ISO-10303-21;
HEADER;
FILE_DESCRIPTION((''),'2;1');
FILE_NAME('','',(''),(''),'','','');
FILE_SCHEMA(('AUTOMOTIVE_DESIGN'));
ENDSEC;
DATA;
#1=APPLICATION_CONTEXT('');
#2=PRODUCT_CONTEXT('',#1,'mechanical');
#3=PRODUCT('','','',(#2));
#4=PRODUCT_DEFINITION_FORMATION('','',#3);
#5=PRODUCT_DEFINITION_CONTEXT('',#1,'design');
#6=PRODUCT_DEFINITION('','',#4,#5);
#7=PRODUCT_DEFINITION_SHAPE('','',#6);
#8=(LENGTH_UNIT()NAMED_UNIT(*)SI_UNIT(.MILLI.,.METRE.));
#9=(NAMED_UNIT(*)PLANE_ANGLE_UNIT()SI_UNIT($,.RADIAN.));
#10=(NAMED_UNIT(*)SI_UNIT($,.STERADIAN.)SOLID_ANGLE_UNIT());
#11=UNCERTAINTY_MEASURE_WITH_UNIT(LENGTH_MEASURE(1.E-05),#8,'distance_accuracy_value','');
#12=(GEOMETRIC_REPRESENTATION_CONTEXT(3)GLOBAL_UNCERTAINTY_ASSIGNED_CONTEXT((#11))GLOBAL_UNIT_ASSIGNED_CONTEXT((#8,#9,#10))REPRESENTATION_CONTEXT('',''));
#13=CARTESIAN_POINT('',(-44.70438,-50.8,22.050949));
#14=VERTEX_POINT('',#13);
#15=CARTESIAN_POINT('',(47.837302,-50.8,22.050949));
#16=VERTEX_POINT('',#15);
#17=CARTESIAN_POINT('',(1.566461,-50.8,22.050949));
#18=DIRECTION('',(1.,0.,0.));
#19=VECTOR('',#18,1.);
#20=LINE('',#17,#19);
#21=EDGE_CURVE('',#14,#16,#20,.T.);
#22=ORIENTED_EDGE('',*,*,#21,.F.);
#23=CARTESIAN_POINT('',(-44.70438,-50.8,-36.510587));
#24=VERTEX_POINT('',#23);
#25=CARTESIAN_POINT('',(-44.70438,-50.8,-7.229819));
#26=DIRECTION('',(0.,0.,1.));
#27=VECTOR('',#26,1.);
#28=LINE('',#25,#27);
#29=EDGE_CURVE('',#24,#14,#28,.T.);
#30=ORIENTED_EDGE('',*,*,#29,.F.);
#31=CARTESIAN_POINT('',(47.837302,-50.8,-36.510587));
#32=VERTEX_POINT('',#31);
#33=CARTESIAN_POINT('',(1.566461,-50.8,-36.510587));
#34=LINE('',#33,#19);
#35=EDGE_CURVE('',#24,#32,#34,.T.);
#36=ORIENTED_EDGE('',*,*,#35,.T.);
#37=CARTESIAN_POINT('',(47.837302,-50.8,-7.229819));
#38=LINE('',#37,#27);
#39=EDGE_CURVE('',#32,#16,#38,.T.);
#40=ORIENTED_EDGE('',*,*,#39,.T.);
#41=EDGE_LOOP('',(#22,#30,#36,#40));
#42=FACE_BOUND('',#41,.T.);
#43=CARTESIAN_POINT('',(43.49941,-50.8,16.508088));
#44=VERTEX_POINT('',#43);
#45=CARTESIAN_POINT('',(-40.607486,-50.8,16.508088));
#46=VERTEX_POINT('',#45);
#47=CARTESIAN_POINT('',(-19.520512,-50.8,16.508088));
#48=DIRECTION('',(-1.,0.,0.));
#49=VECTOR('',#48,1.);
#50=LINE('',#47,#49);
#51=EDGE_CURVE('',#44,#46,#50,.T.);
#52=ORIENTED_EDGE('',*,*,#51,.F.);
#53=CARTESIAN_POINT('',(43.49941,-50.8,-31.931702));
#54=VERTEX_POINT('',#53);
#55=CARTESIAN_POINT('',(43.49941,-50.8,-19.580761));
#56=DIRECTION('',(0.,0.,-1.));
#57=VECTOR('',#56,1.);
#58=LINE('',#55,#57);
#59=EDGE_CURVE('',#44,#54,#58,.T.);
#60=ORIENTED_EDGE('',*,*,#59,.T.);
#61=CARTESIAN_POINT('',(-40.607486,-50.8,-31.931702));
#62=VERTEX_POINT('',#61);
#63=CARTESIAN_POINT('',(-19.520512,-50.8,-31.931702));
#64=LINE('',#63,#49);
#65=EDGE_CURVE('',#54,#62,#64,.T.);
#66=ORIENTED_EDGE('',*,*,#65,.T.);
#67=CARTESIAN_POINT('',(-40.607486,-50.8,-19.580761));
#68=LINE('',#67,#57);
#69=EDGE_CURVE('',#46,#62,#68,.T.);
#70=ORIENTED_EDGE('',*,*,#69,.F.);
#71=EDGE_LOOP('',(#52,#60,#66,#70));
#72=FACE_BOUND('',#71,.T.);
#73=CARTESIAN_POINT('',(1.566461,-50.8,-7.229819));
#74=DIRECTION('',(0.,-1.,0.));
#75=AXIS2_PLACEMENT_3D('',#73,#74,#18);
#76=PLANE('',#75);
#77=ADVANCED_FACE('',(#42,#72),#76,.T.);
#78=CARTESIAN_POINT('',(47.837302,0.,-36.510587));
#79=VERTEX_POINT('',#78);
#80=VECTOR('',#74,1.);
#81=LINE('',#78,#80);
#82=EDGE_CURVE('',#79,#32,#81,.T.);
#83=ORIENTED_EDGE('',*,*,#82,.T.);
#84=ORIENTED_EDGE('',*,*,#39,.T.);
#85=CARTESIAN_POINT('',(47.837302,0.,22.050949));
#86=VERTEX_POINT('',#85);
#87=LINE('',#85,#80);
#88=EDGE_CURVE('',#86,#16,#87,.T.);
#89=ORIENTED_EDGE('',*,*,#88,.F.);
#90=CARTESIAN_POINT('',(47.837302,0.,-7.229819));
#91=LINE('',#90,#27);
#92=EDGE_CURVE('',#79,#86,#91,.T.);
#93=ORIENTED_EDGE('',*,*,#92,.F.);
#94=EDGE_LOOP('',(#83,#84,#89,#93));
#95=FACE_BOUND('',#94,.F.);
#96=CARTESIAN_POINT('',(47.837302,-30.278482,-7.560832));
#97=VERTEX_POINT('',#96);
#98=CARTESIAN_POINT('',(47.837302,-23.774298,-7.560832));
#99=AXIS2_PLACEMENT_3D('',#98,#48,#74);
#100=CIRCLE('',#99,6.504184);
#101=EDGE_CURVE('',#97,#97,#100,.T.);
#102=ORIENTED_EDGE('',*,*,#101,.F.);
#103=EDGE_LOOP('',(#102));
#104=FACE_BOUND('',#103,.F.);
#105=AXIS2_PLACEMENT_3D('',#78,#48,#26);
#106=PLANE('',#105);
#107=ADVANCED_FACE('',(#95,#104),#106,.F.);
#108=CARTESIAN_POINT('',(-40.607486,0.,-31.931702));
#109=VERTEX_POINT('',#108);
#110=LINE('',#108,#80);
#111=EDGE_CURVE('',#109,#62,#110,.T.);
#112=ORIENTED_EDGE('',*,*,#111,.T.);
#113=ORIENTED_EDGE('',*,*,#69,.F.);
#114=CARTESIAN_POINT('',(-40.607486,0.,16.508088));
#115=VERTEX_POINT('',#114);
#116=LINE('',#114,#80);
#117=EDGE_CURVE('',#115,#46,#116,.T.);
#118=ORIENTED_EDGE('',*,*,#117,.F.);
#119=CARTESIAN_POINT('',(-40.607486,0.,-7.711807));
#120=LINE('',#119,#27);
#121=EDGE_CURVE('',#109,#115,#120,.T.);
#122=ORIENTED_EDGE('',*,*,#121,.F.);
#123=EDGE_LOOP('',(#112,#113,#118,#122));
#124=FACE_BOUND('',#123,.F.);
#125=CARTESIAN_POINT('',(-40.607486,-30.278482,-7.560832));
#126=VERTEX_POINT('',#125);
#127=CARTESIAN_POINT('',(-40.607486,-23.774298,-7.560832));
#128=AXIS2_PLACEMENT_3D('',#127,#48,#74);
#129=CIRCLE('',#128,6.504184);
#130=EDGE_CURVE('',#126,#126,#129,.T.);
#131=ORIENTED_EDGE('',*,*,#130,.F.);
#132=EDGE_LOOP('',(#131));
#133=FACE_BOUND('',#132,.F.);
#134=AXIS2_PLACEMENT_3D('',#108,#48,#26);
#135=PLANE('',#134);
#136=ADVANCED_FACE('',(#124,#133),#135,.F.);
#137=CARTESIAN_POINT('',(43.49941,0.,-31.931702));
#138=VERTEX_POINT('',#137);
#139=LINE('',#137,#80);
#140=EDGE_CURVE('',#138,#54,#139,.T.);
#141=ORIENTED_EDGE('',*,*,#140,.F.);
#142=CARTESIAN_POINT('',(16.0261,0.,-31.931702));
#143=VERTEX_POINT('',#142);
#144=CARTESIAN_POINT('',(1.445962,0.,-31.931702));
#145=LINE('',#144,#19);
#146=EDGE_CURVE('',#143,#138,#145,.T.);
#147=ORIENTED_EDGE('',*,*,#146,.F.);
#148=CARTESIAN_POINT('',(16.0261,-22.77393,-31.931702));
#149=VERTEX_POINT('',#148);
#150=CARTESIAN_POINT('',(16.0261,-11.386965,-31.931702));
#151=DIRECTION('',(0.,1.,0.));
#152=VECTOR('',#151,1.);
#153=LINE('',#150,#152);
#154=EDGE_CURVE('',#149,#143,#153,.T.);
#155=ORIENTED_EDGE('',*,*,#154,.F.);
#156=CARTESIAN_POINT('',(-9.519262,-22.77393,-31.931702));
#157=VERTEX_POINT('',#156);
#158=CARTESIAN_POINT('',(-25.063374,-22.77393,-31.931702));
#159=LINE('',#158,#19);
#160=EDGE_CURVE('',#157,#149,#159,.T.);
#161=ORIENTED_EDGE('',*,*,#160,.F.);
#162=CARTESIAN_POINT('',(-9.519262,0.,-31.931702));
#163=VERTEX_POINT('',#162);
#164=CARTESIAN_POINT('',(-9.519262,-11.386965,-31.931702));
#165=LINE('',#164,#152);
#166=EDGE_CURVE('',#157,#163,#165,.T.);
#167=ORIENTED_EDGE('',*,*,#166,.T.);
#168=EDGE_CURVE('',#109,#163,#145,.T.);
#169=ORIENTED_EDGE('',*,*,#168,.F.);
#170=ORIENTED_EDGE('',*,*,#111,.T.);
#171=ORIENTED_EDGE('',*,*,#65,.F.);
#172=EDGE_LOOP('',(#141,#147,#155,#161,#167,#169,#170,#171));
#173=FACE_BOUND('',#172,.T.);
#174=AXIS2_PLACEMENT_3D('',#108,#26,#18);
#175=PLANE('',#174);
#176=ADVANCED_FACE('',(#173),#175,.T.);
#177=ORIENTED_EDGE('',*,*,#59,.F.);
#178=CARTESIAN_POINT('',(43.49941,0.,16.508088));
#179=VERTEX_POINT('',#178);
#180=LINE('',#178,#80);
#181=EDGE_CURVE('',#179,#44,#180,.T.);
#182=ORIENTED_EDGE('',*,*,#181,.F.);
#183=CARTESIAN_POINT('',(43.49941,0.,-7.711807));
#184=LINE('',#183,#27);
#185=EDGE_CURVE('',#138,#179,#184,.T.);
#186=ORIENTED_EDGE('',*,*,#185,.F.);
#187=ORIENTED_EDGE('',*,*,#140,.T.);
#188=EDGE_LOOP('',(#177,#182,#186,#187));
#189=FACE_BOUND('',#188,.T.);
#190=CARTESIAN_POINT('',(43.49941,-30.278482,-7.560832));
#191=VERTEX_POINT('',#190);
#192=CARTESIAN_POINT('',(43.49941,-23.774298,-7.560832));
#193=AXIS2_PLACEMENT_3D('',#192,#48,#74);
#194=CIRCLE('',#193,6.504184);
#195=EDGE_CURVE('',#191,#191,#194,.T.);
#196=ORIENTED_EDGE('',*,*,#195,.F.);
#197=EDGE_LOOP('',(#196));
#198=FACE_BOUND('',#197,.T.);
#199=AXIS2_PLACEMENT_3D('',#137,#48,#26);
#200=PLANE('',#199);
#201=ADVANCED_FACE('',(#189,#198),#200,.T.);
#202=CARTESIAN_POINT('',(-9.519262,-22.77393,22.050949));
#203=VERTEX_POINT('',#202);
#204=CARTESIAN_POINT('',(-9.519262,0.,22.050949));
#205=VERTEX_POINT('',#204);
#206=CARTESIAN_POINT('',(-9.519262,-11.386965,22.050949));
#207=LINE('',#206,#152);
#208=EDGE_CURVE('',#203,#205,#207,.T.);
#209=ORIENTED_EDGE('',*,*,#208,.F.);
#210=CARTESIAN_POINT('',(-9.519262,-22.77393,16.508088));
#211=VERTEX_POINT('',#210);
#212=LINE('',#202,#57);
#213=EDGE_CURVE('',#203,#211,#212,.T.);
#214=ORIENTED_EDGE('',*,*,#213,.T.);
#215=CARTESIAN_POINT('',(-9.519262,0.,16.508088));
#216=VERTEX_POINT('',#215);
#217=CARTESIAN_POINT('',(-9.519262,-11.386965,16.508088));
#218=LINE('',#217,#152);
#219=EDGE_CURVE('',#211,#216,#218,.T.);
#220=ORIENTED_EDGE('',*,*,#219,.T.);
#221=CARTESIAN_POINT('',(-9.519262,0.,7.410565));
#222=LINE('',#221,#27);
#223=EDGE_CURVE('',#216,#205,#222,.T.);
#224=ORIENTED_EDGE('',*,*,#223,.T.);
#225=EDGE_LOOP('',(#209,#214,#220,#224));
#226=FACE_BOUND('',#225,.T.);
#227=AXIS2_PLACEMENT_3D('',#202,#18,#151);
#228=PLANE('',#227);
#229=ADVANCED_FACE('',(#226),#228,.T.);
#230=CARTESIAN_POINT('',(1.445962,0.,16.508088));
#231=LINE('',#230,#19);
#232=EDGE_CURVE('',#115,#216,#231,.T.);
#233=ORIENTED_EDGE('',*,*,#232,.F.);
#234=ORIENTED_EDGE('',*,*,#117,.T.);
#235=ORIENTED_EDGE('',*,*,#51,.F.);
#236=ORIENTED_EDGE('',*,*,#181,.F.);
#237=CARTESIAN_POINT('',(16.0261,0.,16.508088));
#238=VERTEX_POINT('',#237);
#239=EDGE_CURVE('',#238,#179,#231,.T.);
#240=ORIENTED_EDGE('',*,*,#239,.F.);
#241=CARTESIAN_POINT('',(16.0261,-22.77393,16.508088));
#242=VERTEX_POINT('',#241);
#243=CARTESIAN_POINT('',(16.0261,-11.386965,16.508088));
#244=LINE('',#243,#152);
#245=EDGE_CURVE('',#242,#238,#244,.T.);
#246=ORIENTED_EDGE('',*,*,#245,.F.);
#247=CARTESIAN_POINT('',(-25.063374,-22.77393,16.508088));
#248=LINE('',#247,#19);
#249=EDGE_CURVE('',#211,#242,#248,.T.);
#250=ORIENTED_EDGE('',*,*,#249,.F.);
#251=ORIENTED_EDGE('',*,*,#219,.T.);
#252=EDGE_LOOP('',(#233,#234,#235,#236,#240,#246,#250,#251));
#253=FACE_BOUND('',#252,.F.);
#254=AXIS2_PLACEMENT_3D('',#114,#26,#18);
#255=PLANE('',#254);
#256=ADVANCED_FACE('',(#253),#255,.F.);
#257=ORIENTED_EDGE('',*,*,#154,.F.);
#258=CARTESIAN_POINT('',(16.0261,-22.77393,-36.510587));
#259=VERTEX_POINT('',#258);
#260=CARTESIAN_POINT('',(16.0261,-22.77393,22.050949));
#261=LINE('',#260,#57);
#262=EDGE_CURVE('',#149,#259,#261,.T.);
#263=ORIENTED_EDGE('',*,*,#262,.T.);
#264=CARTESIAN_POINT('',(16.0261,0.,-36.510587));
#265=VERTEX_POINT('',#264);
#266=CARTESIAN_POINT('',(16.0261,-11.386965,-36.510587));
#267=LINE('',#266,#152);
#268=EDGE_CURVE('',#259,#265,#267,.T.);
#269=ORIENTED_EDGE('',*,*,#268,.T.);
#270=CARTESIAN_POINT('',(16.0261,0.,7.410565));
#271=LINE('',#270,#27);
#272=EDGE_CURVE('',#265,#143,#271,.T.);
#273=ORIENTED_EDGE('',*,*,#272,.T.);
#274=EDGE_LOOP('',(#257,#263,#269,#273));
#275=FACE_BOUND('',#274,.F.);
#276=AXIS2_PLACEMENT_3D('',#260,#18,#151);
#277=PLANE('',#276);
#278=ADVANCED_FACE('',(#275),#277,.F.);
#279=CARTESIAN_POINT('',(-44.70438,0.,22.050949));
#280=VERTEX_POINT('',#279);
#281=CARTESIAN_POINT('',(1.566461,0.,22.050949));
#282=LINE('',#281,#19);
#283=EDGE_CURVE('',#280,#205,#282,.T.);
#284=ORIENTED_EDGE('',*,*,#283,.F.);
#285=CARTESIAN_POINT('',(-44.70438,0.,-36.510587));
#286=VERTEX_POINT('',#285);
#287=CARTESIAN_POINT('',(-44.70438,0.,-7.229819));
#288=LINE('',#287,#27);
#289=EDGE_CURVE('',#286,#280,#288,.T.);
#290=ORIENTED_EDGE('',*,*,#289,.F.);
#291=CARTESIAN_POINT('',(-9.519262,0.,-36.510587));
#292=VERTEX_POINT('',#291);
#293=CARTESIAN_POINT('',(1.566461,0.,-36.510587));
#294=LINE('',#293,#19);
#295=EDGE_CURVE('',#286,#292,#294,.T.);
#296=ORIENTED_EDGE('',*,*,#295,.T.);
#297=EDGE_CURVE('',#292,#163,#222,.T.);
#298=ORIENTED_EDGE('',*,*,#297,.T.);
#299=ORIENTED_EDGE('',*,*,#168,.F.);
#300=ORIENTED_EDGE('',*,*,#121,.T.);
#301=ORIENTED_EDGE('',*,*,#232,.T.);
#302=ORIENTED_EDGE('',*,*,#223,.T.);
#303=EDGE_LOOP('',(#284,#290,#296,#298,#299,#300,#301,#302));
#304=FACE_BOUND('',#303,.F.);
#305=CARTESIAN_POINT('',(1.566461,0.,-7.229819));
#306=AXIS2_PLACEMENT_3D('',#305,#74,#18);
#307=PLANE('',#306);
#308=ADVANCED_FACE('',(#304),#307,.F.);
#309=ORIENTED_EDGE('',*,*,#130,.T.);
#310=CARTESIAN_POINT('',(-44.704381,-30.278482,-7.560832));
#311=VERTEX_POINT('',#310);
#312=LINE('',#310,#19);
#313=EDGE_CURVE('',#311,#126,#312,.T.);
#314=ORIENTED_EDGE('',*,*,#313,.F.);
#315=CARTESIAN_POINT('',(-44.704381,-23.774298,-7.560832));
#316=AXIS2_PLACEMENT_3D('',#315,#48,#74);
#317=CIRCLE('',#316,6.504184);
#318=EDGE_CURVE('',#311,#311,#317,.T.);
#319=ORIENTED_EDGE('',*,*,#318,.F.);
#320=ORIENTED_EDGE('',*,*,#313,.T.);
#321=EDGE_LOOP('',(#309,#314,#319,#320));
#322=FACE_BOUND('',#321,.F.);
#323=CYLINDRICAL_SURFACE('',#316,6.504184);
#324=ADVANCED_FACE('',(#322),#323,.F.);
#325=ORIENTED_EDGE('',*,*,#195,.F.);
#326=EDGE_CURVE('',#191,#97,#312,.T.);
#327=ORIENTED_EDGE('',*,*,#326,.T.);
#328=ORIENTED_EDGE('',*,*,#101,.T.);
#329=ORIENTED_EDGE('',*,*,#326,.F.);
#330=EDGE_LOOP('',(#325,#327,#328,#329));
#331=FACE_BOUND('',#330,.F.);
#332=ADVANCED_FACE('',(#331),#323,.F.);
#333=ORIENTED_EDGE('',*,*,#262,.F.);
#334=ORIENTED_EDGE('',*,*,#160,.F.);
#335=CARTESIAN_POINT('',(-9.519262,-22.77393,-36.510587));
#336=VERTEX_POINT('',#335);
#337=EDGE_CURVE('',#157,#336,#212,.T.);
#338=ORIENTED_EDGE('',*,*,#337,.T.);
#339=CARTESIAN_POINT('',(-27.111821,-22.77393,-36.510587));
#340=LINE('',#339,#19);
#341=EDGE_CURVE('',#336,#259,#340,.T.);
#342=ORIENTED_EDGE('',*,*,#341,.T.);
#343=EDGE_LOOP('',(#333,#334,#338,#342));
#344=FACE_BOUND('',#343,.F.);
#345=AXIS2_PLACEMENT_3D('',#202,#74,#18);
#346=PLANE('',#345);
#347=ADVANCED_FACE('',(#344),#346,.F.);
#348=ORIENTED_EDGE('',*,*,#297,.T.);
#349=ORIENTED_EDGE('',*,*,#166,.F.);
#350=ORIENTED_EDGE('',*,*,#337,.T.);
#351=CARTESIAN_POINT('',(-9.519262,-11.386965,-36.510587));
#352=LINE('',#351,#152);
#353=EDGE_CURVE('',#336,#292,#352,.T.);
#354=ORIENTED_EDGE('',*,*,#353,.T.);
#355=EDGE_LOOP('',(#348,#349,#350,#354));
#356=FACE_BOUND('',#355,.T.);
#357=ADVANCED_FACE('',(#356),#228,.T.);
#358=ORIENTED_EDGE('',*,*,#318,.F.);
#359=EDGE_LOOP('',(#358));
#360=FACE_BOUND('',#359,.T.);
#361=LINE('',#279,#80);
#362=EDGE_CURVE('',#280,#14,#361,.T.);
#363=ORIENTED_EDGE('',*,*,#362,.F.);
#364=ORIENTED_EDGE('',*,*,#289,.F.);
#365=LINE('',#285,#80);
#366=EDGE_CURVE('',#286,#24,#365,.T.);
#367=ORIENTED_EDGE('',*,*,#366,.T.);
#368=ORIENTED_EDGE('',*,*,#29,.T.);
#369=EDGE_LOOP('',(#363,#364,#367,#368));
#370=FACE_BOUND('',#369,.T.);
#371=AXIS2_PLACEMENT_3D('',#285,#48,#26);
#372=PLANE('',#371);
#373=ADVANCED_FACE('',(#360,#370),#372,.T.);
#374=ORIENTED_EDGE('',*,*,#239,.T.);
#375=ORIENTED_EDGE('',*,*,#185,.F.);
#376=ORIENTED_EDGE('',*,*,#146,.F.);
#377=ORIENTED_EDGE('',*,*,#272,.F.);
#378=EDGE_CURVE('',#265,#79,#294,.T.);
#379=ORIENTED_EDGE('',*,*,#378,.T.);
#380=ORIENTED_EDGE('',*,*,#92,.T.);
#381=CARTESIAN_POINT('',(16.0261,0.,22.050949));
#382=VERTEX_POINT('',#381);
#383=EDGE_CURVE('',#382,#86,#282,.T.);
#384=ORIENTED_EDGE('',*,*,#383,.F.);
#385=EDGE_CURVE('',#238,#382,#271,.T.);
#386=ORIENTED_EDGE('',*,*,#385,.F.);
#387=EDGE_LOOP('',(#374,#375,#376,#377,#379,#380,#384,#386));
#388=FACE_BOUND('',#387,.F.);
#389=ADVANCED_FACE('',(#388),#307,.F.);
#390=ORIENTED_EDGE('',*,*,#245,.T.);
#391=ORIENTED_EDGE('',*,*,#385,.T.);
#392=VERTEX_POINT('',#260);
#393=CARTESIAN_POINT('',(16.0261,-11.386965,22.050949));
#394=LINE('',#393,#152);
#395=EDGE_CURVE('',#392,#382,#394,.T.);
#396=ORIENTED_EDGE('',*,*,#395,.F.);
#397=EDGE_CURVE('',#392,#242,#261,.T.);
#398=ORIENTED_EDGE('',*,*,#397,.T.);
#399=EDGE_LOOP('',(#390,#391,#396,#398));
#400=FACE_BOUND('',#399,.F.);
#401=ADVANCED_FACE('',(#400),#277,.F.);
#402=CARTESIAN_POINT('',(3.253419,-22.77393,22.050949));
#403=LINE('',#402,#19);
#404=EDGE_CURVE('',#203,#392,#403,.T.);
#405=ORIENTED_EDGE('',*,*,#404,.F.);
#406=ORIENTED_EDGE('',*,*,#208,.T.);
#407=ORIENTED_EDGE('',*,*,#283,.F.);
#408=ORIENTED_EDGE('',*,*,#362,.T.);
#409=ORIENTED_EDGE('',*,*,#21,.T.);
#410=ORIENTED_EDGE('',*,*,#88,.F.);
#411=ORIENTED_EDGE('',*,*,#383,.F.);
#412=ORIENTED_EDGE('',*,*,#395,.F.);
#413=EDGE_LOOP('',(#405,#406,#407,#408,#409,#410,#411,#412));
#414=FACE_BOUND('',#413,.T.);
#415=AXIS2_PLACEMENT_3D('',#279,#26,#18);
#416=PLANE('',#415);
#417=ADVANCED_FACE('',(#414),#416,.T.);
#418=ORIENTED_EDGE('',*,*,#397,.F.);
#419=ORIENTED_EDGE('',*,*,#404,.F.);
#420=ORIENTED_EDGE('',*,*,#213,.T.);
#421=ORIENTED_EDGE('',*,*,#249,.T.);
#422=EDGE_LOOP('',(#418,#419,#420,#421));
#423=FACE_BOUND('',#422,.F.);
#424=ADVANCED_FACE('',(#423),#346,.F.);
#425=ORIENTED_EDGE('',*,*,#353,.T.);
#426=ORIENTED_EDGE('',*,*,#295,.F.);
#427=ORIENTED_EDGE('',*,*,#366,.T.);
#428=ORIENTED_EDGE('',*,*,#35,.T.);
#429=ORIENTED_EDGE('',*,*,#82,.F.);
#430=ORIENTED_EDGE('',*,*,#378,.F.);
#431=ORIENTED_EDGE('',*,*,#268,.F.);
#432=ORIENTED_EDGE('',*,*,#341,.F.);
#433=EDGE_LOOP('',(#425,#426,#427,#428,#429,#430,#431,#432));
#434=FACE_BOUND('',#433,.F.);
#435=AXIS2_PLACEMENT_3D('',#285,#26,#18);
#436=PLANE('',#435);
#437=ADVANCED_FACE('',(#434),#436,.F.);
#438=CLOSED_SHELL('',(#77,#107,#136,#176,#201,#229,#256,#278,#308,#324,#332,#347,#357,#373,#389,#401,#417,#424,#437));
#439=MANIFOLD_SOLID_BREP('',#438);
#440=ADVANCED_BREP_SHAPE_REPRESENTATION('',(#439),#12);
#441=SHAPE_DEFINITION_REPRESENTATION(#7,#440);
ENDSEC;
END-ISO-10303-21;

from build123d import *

# Parameters (mm, degrees)
F0_W     = 92.541683
F0_H     = 58.561536
F1_DEPTH = 50.8
F2_W     = 84.106896
F2_H     = 48.43979
F3_DEPTH = 51.308
F4_W     = 25.545361
F4_H     = 22.773931
F5_DEPTH = 58.928
F6_R     = 6.504184
F7_DEPTH = 110.236


with BuildPart() as f1:
    # F0 (on Front) → F1 (new body)
    with BuildSketch(Plane.XZ):
        with Locations((1.566461, -7.229819)):
            Rectangle(F0_W, F0_H)
    extrude(amount=F1_DEPTH)

    # F2 (on Front) → F3 (cut)
    with BuildSketch(Plane.XZ):
        with Locations((1.445962, -7.711807)):
            Rectangle(F2_W, F2_H)
    extrude(amount=F3_DEPTH, mode=Mode.SUBTRACT)

    # F4 (on face) → F5 (cut)
    with BuildSketch(Plane.XY.offset(22.050949)):
        with Locations((3.253419, -11.386965)):
            Rectangle(F4_W, F4_H)
    extrude(amount=-F5_DEPTH, mode=Mode.SUBTRACT)

    # F6 (on face) → F7 (cut)
    with BuildSketch(Plane(origin=(-44.704381, 0, 0), x_dir=(0, -1, 0), z_dir=(-1, 0, 0))):
        with Locations((23.774298, -7.560832)):
            Circle(F6_R)
    extrude(amount=-F7_DEPTH, mode=Mode.SUBTRACT)


solid = f1.part
